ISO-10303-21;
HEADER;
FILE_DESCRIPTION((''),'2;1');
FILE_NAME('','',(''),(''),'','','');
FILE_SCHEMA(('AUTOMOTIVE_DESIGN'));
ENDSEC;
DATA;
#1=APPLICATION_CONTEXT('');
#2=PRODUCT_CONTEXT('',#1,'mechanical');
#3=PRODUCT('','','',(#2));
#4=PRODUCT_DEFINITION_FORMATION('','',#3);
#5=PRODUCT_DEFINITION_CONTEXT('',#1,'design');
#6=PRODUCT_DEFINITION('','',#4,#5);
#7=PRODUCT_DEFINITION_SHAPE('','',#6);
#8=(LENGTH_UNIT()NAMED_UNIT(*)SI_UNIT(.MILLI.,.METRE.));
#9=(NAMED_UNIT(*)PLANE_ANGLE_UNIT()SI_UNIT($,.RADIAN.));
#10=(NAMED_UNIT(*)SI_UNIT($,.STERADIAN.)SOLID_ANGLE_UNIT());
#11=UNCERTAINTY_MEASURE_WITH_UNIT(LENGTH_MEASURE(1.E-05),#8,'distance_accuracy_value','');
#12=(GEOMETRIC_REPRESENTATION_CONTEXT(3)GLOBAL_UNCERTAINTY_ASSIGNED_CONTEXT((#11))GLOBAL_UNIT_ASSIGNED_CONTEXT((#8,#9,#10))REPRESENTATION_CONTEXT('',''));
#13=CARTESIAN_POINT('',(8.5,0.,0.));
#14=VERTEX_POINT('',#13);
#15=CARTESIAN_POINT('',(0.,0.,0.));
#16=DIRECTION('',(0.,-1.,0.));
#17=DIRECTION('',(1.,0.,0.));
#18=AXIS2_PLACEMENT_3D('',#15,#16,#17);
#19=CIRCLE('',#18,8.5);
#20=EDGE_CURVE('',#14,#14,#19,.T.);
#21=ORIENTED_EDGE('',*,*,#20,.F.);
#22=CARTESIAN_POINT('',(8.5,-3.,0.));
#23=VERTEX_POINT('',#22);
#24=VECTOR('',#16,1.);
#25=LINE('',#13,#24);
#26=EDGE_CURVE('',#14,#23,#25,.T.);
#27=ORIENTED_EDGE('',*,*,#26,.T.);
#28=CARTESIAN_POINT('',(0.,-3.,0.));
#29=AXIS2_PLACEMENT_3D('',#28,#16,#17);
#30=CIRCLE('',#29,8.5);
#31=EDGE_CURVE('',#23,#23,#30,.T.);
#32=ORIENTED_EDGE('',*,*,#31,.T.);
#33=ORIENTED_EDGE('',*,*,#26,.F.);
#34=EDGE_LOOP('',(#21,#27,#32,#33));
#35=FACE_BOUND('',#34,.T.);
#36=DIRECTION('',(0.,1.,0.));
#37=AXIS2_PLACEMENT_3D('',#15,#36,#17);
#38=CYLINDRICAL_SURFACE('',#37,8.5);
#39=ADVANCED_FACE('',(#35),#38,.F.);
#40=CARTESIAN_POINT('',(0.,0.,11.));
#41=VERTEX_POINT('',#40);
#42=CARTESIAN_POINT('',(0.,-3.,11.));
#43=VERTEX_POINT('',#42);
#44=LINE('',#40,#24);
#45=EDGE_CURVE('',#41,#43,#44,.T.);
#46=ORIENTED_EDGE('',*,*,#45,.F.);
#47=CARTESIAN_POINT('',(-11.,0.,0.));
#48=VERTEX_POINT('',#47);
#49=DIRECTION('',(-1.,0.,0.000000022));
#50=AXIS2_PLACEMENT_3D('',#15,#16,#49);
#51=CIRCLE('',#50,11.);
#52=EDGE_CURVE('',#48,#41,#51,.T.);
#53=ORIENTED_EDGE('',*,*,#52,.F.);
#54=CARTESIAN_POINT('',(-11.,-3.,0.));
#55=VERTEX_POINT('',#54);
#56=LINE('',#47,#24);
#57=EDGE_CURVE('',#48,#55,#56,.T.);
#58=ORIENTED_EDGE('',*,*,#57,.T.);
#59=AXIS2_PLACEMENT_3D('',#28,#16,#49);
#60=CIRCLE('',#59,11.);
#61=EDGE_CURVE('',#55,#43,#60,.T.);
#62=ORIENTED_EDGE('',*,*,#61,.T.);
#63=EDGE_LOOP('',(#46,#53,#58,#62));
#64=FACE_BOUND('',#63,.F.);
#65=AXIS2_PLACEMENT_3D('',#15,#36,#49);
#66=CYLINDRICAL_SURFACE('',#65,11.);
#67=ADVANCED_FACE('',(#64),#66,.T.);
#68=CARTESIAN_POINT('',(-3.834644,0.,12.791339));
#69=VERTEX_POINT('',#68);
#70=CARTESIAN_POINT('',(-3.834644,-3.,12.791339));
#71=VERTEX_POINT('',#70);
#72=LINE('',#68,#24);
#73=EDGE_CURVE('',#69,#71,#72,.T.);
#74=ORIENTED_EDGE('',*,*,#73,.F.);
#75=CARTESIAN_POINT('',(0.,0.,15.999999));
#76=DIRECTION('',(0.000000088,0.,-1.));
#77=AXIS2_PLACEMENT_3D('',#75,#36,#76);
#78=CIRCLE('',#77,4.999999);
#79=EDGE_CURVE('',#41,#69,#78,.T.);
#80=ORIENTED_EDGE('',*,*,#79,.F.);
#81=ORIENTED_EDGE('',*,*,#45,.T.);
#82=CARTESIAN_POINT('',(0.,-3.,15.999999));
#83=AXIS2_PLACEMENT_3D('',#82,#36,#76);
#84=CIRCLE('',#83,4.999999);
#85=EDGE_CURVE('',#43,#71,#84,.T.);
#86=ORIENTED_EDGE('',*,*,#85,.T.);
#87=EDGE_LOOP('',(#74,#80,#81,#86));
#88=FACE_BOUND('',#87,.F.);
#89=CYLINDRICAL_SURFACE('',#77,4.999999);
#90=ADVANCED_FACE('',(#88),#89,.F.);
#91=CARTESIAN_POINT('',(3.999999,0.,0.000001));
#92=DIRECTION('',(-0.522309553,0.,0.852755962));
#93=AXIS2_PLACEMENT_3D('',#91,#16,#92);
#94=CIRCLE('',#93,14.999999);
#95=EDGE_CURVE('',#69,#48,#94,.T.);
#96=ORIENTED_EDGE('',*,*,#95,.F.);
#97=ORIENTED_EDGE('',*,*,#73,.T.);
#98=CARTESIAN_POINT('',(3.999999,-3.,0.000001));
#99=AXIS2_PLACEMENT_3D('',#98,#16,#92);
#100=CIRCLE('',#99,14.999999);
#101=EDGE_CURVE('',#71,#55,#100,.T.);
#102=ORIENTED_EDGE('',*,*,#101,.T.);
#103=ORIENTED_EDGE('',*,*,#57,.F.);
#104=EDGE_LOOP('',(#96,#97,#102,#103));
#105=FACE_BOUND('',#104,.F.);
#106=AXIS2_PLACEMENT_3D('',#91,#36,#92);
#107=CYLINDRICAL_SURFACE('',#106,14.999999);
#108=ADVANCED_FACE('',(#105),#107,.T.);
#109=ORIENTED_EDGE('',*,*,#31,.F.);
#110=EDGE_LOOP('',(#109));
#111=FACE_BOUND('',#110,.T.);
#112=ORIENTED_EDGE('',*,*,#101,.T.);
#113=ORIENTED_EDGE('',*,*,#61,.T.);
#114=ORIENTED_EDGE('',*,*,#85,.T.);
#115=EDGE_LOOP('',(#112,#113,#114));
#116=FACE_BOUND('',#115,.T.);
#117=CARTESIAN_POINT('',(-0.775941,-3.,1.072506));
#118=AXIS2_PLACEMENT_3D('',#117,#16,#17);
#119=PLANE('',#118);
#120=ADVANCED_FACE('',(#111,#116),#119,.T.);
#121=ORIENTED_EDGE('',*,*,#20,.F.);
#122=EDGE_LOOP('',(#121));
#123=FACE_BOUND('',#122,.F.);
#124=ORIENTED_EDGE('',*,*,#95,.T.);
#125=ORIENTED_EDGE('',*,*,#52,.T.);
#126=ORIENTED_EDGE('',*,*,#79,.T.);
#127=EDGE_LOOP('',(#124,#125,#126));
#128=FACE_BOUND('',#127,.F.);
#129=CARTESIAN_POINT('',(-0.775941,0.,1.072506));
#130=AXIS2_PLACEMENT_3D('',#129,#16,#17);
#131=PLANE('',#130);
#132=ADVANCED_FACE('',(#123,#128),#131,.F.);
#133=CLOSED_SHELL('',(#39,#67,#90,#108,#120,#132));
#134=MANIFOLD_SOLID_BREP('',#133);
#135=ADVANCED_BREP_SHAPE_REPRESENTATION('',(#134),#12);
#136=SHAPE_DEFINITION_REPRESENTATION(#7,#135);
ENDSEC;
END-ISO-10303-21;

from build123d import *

# Parameters (mm, degrees)
F0_R     = 8.5
F1_DEPTH = 3


with BuildPart() as f1:
    # F0 (on Front) → F1 (new body)
    with BuildSketch(Plane.XZ):
        with BuildLine():
            ThreePointArc((-3.834644, 12.791339), (-9.086628, 7.330769), (-11, 0))
            ThreePointArc((-11, 0), (7.778175, -7.778175), (0, 11))
            ThreePointArc((0, 11), (-2.116211, 11.469917), (-3.834644, 12.791339))
        make_face()
        Circle(F0_R, mode=Mode.SUBTRACT)
    extrude(amount=F1_DEPTH)


solid = f1.part
